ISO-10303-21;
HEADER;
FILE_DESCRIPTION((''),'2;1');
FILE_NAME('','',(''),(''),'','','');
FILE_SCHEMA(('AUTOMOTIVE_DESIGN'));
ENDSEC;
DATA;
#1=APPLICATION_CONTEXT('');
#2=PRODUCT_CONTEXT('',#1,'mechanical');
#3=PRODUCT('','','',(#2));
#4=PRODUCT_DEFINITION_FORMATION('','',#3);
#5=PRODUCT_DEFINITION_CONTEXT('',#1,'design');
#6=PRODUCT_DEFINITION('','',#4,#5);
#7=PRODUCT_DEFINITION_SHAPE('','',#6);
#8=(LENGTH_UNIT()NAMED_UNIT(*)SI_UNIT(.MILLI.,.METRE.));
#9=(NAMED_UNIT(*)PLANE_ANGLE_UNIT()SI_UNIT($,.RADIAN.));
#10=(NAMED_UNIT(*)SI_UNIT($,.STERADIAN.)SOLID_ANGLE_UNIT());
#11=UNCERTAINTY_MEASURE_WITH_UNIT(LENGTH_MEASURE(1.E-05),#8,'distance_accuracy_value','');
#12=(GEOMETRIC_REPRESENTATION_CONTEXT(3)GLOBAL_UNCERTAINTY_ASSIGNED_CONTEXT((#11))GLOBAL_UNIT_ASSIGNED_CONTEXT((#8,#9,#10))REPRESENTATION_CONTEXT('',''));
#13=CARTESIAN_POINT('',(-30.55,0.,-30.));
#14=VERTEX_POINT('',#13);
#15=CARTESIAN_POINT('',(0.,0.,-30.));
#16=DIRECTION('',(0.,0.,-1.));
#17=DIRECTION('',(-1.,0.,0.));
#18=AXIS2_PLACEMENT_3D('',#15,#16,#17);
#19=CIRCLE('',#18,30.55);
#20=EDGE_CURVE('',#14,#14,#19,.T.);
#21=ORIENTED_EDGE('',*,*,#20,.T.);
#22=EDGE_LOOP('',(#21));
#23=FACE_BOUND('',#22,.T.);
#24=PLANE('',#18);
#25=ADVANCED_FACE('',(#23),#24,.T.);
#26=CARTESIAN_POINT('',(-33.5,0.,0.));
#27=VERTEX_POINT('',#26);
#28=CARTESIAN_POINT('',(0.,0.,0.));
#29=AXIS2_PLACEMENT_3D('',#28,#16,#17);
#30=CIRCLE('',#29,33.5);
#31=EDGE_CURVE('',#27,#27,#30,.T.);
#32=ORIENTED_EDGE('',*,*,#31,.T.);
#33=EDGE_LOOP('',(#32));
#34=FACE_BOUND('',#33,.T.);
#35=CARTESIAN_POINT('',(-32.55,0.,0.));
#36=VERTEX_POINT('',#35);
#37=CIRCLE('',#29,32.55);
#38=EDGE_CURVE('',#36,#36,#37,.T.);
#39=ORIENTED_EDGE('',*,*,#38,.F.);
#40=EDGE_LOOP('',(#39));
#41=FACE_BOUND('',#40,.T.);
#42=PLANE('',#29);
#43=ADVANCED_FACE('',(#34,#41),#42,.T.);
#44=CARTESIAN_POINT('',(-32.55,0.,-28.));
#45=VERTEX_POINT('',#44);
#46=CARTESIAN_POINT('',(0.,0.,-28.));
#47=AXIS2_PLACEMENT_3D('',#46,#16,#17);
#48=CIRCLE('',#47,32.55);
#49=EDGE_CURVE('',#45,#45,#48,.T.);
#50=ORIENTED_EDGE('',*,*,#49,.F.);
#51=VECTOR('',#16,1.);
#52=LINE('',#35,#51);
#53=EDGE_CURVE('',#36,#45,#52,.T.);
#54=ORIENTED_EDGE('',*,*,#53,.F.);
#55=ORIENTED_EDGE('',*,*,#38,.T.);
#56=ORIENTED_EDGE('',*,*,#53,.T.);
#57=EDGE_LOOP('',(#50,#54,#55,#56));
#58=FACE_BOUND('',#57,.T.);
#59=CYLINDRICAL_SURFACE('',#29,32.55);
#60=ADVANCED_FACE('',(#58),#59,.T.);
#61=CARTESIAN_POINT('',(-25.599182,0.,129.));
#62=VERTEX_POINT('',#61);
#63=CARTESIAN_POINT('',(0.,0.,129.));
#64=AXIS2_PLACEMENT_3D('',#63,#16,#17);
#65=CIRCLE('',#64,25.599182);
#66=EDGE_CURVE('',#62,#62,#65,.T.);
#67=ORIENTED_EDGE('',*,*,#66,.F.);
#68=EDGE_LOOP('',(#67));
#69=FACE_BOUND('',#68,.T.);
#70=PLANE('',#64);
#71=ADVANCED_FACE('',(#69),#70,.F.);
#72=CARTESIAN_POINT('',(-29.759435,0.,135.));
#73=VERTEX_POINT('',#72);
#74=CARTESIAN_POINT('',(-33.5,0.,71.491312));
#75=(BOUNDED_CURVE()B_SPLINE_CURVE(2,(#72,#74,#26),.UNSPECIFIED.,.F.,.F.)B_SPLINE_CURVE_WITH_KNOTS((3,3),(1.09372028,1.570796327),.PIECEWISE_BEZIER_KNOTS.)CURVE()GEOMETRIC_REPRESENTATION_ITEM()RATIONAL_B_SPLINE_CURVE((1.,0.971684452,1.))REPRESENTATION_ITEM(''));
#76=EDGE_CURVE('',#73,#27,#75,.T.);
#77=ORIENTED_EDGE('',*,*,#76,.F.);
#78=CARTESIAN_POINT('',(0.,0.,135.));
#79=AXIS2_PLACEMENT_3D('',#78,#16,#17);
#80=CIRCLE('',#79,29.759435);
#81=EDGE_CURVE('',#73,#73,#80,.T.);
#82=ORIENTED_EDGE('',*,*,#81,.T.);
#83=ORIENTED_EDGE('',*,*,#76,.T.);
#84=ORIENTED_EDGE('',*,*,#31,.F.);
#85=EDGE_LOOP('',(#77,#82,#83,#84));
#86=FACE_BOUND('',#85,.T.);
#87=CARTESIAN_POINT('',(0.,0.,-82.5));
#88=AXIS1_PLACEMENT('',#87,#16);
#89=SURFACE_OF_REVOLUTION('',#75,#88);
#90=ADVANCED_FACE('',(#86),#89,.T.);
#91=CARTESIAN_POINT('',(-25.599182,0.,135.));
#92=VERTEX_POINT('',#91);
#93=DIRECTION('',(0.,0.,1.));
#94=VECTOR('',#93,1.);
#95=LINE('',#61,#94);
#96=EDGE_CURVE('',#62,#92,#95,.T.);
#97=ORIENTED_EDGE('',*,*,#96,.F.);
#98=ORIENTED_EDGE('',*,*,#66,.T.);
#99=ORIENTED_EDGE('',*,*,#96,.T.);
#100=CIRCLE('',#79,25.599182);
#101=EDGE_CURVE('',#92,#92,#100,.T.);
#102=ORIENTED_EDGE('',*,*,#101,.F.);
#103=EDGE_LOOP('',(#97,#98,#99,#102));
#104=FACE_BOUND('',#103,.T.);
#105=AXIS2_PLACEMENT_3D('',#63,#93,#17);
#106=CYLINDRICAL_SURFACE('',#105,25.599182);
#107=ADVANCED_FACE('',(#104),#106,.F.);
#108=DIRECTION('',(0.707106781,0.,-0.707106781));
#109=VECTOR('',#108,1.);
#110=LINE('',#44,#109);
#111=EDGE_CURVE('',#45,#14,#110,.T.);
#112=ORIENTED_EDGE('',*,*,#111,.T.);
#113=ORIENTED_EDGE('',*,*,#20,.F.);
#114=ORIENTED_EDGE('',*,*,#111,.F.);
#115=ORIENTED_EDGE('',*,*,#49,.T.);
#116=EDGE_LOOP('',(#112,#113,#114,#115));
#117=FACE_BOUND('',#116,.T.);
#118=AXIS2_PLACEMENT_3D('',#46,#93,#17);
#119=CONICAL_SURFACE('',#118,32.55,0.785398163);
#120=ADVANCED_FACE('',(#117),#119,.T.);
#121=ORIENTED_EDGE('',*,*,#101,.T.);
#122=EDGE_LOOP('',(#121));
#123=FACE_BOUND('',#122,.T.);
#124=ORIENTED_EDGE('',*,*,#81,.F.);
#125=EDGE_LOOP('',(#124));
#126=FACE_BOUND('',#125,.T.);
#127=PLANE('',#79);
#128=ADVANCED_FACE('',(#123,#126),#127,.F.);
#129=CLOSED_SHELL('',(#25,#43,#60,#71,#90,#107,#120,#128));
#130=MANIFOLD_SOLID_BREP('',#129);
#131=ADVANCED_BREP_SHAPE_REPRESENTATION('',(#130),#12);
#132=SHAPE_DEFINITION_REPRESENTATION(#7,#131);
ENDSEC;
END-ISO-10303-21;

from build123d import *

# Parameters (mm, degrees)
F2_SIZE = 2


with BuildPart() as f1:
    # F0 (on Front) → F1 (revolve)
    with BuildSketch(Plane.XZ):
        with BuildLine():
            Line((-25.5991816521, 135), (-29.7594352231, 135))
            add(Edge.make_bspline(
                [(-29.7594352231, 135), (-33.5, 71.4913116763), (-33.5, 0)],
                knots=[1.0937202801, 1.0937202801, 1.0937202801, 1.5707963268, 1.5707963268, 1.5707963268], degree=2, weights=[1, 0.9716844524, 1]))
            Line((-33.5, 0), (-32.55, 0))
            Line((-32.55, 0), (-32.55, -30))
            Line((-32.55, -30), (0, -30))
            Line((0, -30), (0, 0))
            Line((0, 0), (0, 129))
            Line((0, 129), (-25.5991816521, 129))
            Line((-25.5991816521, 129), (-25.5991816521, 135))
        make_face()
    revolve(axis=Axis((0, 0, -82.5), (0, 0, -1)))

    # F2
    f2_edges = [f1.edges().sort_by_distance(p)[0] for p in [
        (32.55, 0, -30),
    ]]
    chamfer(f2_edges, length=F2_SIZE)


solid = f1.part
